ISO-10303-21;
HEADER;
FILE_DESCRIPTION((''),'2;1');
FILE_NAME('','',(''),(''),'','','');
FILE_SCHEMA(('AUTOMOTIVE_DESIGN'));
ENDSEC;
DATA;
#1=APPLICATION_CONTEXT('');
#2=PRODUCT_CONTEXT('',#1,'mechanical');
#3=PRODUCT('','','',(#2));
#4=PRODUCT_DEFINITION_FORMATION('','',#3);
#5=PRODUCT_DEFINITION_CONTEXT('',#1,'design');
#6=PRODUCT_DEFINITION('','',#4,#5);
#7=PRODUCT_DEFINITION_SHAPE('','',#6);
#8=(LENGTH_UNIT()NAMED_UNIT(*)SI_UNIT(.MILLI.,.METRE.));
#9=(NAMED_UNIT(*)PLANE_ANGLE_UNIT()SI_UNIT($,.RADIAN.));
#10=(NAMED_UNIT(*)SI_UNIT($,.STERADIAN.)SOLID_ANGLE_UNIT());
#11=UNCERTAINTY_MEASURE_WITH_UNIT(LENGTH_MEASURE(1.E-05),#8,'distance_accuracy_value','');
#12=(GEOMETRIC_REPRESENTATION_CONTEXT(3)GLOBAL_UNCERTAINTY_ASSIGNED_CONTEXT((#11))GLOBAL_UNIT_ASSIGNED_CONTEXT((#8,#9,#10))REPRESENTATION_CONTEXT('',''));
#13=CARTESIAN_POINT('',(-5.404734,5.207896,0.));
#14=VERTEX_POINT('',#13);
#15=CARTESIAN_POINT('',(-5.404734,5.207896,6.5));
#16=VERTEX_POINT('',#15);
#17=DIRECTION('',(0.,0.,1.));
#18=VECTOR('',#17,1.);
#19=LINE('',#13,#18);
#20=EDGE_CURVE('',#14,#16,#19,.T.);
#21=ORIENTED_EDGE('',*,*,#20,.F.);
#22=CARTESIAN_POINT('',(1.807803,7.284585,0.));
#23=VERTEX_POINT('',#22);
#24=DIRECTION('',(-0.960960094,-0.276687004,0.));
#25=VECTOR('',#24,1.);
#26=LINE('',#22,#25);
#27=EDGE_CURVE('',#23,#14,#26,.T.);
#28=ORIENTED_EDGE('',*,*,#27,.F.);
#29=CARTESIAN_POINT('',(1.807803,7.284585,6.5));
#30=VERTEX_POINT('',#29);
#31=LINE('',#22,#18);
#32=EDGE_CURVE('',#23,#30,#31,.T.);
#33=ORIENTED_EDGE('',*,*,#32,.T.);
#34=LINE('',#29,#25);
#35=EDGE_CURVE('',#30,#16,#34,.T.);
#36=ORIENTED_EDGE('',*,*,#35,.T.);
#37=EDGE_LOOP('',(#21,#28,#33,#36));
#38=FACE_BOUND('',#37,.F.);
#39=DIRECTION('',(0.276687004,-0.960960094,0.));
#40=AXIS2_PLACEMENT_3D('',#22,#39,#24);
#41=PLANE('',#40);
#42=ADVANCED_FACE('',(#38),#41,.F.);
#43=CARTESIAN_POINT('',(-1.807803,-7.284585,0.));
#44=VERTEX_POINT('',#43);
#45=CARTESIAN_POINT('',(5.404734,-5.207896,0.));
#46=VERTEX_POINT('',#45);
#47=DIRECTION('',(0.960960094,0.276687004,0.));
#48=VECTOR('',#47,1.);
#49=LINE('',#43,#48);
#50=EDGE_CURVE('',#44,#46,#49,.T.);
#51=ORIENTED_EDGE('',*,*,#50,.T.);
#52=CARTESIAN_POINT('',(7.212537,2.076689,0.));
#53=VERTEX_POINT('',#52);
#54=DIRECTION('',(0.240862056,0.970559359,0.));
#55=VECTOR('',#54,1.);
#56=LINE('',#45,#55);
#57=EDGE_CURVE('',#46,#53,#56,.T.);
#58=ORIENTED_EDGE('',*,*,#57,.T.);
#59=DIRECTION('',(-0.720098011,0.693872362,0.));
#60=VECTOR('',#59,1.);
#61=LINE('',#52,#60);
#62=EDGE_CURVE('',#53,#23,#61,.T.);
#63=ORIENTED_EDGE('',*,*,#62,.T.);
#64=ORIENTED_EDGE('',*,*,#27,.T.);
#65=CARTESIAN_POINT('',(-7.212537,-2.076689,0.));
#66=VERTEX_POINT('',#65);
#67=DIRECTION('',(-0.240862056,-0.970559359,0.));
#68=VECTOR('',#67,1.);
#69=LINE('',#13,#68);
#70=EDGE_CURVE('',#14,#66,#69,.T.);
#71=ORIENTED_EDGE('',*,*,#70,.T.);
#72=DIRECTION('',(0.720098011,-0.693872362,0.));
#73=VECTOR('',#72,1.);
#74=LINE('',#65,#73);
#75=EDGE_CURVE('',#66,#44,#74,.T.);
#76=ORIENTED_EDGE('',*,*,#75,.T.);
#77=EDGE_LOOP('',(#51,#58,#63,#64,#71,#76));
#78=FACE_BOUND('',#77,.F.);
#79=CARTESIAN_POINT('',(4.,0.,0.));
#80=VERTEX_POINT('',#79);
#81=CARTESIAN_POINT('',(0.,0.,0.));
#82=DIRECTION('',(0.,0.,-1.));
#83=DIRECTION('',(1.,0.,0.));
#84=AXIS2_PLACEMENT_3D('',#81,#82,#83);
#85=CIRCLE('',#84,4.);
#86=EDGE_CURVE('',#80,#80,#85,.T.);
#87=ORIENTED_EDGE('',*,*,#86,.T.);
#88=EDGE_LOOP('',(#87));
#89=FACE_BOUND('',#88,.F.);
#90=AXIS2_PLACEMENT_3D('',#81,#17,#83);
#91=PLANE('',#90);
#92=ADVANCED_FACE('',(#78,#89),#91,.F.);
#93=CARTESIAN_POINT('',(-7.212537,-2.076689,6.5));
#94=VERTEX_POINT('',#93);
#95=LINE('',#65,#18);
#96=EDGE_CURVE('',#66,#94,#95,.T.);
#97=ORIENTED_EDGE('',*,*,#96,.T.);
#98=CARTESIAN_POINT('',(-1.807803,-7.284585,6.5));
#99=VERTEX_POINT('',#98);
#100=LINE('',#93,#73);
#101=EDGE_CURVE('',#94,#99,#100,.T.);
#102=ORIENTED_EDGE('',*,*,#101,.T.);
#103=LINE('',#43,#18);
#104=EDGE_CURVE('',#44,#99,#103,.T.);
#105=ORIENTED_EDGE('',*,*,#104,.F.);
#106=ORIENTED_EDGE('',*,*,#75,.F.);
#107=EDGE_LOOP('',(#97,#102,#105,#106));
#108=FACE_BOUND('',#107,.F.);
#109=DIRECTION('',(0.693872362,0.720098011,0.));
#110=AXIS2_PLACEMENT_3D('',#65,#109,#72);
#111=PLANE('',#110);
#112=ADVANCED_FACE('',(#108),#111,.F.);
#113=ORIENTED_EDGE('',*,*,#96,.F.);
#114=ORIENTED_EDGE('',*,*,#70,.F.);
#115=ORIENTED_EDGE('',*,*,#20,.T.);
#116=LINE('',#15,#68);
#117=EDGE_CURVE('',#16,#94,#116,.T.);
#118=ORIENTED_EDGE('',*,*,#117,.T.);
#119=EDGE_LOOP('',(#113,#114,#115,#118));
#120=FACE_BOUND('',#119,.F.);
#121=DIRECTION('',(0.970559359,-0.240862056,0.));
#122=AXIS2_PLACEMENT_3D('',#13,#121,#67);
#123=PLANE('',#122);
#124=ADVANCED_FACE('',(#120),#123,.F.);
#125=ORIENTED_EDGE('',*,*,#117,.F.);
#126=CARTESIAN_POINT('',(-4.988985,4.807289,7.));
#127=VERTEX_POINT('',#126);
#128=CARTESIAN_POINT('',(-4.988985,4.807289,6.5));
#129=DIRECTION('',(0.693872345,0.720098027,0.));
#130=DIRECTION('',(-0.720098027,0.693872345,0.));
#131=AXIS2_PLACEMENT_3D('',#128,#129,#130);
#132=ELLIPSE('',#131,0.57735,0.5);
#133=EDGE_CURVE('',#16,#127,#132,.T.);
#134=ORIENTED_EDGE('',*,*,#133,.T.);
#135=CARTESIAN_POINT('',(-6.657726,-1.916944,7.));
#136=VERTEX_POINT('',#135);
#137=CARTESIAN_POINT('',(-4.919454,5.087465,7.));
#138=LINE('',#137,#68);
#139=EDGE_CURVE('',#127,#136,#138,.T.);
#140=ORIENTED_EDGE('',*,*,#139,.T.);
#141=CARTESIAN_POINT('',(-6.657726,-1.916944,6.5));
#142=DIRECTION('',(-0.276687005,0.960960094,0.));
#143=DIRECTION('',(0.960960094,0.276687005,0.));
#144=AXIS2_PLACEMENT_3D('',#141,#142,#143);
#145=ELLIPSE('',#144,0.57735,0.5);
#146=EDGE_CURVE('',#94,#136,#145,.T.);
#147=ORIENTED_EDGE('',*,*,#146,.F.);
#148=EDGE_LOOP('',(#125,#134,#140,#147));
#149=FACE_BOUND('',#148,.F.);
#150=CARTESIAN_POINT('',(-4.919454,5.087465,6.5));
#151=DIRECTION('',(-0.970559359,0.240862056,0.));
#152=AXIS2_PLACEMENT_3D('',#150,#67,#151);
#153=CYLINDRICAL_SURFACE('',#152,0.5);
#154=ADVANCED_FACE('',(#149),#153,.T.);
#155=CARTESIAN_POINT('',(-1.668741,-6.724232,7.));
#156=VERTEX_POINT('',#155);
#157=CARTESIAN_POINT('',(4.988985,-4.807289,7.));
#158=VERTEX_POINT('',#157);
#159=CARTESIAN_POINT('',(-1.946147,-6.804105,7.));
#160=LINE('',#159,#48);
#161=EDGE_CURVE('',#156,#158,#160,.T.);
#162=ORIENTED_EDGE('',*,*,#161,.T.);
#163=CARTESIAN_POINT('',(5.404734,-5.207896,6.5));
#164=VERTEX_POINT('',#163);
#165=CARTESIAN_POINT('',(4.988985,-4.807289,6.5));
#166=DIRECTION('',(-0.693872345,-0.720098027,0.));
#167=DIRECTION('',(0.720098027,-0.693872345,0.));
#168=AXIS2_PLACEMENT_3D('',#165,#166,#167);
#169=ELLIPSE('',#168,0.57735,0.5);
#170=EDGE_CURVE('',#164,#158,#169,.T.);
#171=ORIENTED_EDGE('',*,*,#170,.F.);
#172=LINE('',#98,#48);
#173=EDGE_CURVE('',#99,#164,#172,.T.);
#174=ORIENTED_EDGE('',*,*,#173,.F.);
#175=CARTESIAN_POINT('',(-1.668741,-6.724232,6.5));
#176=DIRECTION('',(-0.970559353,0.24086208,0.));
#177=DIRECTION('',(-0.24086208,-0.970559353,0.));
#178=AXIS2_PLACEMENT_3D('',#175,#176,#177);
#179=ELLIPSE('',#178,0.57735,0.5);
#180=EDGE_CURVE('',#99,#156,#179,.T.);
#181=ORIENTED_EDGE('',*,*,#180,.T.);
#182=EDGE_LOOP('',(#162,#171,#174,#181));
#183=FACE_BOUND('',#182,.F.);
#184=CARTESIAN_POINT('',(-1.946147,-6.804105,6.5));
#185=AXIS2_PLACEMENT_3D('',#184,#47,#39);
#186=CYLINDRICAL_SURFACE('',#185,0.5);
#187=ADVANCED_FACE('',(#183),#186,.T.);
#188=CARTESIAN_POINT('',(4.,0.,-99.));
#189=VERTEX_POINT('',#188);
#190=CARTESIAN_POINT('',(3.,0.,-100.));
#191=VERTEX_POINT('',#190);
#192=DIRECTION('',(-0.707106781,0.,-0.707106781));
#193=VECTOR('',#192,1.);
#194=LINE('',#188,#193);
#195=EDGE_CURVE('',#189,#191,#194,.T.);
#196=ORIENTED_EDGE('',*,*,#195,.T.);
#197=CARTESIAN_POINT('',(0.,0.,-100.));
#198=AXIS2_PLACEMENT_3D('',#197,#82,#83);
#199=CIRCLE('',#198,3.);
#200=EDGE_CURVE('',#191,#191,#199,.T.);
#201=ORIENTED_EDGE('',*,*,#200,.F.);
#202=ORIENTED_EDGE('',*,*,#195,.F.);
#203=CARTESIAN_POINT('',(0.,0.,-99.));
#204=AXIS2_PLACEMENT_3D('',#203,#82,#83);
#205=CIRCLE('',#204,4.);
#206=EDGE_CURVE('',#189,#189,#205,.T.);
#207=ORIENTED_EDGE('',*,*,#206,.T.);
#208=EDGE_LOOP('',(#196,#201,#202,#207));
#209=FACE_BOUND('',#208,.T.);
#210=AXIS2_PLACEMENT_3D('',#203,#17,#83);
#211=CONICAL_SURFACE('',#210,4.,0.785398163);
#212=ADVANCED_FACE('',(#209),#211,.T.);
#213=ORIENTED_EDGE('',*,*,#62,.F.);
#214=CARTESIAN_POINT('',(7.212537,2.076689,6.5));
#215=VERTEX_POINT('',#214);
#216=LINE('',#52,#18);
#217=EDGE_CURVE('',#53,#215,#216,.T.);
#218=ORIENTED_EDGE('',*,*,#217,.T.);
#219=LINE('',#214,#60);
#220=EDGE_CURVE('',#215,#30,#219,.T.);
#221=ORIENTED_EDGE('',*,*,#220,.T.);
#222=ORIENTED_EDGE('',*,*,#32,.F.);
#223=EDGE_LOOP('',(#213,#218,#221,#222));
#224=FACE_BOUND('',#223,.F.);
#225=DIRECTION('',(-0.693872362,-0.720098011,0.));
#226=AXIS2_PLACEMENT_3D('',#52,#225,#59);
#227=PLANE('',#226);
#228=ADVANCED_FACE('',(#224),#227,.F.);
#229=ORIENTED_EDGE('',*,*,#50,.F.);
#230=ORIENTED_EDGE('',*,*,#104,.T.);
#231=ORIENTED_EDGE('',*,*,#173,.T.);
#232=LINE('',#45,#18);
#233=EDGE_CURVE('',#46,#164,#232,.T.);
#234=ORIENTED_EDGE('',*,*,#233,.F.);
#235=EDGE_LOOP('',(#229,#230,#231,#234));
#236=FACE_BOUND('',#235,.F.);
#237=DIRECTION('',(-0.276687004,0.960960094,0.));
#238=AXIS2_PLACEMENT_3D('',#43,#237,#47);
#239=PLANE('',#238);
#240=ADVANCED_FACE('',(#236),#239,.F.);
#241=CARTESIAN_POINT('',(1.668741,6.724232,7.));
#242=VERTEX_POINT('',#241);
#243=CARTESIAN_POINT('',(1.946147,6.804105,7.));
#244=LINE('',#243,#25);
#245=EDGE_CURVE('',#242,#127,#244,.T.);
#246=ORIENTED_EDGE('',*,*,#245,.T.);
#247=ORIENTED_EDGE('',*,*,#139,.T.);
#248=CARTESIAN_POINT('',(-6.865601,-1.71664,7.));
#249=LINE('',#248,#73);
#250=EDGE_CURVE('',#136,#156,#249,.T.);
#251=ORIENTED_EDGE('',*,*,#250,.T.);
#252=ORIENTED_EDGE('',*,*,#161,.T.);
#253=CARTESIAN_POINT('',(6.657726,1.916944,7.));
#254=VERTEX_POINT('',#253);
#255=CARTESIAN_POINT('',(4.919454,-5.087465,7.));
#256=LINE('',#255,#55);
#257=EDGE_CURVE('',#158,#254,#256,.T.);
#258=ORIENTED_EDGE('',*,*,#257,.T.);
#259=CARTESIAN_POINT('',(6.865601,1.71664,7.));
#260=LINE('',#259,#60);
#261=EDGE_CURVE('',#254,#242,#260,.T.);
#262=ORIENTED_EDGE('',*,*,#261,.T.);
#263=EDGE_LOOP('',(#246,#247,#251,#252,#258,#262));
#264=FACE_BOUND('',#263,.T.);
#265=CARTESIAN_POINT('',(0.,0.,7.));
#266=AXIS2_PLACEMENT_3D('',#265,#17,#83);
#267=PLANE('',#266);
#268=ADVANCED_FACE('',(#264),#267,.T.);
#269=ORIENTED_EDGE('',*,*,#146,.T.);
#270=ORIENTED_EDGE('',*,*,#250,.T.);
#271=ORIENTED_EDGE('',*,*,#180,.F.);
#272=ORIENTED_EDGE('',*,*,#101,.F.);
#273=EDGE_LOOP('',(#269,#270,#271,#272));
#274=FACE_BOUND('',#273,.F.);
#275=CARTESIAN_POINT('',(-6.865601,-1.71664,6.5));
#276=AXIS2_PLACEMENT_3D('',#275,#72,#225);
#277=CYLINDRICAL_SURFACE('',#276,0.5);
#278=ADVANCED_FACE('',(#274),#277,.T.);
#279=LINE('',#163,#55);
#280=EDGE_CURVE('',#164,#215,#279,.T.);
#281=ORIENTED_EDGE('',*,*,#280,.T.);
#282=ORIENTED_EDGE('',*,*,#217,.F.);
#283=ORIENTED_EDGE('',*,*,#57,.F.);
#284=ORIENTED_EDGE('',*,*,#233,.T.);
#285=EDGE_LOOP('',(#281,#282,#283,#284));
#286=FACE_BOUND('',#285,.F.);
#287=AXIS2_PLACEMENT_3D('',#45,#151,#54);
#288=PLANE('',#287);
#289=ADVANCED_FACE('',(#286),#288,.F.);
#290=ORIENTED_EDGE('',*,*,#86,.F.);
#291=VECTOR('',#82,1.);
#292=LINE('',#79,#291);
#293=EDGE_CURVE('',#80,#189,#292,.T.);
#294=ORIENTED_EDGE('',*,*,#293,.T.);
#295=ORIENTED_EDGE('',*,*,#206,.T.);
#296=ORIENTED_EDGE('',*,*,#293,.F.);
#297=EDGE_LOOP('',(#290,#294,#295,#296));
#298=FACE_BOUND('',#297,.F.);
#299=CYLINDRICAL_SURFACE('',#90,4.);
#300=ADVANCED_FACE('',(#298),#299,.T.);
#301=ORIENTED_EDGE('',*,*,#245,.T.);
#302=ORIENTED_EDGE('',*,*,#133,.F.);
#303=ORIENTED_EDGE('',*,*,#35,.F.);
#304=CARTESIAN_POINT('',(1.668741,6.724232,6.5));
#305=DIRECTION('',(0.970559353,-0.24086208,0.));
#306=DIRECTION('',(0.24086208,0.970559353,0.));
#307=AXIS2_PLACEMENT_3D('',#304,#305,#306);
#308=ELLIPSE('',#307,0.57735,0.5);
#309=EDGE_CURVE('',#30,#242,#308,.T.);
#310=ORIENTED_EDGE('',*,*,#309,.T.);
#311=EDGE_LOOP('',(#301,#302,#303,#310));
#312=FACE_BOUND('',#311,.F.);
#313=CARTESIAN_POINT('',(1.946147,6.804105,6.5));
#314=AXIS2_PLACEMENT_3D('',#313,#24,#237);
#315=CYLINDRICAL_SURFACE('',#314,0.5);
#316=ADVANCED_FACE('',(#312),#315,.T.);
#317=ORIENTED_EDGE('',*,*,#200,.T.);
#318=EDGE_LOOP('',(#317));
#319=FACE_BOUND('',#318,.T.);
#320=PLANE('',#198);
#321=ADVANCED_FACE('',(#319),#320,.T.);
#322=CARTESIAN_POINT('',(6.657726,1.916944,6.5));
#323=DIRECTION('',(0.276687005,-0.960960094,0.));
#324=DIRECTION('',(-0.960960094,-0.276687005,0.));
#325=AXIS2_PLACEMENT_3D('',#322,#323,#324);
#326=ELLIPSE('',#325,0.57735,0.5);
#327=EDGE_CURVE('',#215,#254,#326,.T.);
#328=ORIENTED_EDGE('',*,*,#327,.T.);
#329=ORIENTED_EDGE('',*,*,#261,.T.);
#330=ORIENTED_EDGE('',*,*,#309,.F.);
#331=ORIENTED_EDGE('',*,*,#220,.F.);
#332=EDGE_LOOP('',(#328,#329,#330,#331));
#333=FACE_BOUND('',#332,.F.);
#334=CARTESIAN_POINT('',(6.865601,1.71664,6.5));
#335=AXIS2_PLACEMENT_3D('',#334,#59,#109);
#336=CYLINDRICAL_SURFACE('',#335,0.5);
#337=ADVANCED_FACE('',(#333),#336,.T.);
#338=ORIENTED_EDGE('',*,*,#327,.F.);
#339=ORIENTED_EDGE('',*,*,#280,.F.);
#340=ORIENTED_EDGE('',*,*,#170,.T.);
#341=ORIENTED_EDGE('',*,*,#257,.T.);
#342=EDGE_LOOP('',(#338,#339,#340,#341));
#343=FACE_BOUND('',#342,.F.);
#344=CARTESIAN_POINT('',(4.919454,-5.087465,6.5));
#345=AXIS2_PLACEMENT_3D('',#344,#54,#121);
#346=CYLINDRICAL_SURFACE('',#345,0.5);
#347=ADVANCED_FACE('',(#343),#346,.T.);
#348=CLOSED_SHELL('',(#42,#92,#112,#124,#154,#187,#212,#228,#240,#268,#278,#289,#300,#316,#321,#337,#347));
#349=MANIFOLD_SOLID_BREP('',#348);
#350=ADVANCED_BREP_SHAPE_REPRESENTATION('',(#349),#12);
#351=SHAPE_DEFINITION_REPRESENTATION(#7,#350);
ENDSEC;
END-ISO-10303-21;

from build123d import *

# Parameters (mm, degrees)
F1_DEPTH = 7
F2_R     = 0.5
F3_R     = 4
F4_DEPTH = 100
F5_SIZE  = 1


with BuildPart() as f1:
    # F0 (on Top) → F1 (new body)
    with BuildSketch(Plane.XY):
        Polygon((1.807803, 7.284585), (-5.404734, 5.207896), (-7.212537, -2.076689), (-1.807803, -7.284585), (5.404734, -5.207896), (7.212537, 2.076689), align=None)
    extrude(amount=F1_DEPTH)

    # F2
    f2_edges = [f1.edges().sort_by_distance(p)[0] for p in [
        (-4.51017, -4.680637, 7),
        (1.798465, -6.246241, 7),
        (4.51017, 4.680637, 7),
        (-1.798465, 6.246241, 7),
        (-6.308636, 1.565604, 7),
        (6.308636, -1.565604, 7),
    ]]
    fillet(f2_edges, radius=F2_R)

    # F3 (on face) → F4 (join)
    with BuildSketch(Plane(origin=(0, 0, 0), x_dir=(1, 0, 0), z_dir=(0, 0, -1))):
        Circle(F3_R)
    extrude(amount=F4_DEPTH)

    # F5
    f5_edges = [f1.edges().sort_by_distance(p)[0] for p in [
        (-4, 0, -100),
    ]]
    chamfer(f5_edges, length=F5_SIZE)


solid = f1.part
